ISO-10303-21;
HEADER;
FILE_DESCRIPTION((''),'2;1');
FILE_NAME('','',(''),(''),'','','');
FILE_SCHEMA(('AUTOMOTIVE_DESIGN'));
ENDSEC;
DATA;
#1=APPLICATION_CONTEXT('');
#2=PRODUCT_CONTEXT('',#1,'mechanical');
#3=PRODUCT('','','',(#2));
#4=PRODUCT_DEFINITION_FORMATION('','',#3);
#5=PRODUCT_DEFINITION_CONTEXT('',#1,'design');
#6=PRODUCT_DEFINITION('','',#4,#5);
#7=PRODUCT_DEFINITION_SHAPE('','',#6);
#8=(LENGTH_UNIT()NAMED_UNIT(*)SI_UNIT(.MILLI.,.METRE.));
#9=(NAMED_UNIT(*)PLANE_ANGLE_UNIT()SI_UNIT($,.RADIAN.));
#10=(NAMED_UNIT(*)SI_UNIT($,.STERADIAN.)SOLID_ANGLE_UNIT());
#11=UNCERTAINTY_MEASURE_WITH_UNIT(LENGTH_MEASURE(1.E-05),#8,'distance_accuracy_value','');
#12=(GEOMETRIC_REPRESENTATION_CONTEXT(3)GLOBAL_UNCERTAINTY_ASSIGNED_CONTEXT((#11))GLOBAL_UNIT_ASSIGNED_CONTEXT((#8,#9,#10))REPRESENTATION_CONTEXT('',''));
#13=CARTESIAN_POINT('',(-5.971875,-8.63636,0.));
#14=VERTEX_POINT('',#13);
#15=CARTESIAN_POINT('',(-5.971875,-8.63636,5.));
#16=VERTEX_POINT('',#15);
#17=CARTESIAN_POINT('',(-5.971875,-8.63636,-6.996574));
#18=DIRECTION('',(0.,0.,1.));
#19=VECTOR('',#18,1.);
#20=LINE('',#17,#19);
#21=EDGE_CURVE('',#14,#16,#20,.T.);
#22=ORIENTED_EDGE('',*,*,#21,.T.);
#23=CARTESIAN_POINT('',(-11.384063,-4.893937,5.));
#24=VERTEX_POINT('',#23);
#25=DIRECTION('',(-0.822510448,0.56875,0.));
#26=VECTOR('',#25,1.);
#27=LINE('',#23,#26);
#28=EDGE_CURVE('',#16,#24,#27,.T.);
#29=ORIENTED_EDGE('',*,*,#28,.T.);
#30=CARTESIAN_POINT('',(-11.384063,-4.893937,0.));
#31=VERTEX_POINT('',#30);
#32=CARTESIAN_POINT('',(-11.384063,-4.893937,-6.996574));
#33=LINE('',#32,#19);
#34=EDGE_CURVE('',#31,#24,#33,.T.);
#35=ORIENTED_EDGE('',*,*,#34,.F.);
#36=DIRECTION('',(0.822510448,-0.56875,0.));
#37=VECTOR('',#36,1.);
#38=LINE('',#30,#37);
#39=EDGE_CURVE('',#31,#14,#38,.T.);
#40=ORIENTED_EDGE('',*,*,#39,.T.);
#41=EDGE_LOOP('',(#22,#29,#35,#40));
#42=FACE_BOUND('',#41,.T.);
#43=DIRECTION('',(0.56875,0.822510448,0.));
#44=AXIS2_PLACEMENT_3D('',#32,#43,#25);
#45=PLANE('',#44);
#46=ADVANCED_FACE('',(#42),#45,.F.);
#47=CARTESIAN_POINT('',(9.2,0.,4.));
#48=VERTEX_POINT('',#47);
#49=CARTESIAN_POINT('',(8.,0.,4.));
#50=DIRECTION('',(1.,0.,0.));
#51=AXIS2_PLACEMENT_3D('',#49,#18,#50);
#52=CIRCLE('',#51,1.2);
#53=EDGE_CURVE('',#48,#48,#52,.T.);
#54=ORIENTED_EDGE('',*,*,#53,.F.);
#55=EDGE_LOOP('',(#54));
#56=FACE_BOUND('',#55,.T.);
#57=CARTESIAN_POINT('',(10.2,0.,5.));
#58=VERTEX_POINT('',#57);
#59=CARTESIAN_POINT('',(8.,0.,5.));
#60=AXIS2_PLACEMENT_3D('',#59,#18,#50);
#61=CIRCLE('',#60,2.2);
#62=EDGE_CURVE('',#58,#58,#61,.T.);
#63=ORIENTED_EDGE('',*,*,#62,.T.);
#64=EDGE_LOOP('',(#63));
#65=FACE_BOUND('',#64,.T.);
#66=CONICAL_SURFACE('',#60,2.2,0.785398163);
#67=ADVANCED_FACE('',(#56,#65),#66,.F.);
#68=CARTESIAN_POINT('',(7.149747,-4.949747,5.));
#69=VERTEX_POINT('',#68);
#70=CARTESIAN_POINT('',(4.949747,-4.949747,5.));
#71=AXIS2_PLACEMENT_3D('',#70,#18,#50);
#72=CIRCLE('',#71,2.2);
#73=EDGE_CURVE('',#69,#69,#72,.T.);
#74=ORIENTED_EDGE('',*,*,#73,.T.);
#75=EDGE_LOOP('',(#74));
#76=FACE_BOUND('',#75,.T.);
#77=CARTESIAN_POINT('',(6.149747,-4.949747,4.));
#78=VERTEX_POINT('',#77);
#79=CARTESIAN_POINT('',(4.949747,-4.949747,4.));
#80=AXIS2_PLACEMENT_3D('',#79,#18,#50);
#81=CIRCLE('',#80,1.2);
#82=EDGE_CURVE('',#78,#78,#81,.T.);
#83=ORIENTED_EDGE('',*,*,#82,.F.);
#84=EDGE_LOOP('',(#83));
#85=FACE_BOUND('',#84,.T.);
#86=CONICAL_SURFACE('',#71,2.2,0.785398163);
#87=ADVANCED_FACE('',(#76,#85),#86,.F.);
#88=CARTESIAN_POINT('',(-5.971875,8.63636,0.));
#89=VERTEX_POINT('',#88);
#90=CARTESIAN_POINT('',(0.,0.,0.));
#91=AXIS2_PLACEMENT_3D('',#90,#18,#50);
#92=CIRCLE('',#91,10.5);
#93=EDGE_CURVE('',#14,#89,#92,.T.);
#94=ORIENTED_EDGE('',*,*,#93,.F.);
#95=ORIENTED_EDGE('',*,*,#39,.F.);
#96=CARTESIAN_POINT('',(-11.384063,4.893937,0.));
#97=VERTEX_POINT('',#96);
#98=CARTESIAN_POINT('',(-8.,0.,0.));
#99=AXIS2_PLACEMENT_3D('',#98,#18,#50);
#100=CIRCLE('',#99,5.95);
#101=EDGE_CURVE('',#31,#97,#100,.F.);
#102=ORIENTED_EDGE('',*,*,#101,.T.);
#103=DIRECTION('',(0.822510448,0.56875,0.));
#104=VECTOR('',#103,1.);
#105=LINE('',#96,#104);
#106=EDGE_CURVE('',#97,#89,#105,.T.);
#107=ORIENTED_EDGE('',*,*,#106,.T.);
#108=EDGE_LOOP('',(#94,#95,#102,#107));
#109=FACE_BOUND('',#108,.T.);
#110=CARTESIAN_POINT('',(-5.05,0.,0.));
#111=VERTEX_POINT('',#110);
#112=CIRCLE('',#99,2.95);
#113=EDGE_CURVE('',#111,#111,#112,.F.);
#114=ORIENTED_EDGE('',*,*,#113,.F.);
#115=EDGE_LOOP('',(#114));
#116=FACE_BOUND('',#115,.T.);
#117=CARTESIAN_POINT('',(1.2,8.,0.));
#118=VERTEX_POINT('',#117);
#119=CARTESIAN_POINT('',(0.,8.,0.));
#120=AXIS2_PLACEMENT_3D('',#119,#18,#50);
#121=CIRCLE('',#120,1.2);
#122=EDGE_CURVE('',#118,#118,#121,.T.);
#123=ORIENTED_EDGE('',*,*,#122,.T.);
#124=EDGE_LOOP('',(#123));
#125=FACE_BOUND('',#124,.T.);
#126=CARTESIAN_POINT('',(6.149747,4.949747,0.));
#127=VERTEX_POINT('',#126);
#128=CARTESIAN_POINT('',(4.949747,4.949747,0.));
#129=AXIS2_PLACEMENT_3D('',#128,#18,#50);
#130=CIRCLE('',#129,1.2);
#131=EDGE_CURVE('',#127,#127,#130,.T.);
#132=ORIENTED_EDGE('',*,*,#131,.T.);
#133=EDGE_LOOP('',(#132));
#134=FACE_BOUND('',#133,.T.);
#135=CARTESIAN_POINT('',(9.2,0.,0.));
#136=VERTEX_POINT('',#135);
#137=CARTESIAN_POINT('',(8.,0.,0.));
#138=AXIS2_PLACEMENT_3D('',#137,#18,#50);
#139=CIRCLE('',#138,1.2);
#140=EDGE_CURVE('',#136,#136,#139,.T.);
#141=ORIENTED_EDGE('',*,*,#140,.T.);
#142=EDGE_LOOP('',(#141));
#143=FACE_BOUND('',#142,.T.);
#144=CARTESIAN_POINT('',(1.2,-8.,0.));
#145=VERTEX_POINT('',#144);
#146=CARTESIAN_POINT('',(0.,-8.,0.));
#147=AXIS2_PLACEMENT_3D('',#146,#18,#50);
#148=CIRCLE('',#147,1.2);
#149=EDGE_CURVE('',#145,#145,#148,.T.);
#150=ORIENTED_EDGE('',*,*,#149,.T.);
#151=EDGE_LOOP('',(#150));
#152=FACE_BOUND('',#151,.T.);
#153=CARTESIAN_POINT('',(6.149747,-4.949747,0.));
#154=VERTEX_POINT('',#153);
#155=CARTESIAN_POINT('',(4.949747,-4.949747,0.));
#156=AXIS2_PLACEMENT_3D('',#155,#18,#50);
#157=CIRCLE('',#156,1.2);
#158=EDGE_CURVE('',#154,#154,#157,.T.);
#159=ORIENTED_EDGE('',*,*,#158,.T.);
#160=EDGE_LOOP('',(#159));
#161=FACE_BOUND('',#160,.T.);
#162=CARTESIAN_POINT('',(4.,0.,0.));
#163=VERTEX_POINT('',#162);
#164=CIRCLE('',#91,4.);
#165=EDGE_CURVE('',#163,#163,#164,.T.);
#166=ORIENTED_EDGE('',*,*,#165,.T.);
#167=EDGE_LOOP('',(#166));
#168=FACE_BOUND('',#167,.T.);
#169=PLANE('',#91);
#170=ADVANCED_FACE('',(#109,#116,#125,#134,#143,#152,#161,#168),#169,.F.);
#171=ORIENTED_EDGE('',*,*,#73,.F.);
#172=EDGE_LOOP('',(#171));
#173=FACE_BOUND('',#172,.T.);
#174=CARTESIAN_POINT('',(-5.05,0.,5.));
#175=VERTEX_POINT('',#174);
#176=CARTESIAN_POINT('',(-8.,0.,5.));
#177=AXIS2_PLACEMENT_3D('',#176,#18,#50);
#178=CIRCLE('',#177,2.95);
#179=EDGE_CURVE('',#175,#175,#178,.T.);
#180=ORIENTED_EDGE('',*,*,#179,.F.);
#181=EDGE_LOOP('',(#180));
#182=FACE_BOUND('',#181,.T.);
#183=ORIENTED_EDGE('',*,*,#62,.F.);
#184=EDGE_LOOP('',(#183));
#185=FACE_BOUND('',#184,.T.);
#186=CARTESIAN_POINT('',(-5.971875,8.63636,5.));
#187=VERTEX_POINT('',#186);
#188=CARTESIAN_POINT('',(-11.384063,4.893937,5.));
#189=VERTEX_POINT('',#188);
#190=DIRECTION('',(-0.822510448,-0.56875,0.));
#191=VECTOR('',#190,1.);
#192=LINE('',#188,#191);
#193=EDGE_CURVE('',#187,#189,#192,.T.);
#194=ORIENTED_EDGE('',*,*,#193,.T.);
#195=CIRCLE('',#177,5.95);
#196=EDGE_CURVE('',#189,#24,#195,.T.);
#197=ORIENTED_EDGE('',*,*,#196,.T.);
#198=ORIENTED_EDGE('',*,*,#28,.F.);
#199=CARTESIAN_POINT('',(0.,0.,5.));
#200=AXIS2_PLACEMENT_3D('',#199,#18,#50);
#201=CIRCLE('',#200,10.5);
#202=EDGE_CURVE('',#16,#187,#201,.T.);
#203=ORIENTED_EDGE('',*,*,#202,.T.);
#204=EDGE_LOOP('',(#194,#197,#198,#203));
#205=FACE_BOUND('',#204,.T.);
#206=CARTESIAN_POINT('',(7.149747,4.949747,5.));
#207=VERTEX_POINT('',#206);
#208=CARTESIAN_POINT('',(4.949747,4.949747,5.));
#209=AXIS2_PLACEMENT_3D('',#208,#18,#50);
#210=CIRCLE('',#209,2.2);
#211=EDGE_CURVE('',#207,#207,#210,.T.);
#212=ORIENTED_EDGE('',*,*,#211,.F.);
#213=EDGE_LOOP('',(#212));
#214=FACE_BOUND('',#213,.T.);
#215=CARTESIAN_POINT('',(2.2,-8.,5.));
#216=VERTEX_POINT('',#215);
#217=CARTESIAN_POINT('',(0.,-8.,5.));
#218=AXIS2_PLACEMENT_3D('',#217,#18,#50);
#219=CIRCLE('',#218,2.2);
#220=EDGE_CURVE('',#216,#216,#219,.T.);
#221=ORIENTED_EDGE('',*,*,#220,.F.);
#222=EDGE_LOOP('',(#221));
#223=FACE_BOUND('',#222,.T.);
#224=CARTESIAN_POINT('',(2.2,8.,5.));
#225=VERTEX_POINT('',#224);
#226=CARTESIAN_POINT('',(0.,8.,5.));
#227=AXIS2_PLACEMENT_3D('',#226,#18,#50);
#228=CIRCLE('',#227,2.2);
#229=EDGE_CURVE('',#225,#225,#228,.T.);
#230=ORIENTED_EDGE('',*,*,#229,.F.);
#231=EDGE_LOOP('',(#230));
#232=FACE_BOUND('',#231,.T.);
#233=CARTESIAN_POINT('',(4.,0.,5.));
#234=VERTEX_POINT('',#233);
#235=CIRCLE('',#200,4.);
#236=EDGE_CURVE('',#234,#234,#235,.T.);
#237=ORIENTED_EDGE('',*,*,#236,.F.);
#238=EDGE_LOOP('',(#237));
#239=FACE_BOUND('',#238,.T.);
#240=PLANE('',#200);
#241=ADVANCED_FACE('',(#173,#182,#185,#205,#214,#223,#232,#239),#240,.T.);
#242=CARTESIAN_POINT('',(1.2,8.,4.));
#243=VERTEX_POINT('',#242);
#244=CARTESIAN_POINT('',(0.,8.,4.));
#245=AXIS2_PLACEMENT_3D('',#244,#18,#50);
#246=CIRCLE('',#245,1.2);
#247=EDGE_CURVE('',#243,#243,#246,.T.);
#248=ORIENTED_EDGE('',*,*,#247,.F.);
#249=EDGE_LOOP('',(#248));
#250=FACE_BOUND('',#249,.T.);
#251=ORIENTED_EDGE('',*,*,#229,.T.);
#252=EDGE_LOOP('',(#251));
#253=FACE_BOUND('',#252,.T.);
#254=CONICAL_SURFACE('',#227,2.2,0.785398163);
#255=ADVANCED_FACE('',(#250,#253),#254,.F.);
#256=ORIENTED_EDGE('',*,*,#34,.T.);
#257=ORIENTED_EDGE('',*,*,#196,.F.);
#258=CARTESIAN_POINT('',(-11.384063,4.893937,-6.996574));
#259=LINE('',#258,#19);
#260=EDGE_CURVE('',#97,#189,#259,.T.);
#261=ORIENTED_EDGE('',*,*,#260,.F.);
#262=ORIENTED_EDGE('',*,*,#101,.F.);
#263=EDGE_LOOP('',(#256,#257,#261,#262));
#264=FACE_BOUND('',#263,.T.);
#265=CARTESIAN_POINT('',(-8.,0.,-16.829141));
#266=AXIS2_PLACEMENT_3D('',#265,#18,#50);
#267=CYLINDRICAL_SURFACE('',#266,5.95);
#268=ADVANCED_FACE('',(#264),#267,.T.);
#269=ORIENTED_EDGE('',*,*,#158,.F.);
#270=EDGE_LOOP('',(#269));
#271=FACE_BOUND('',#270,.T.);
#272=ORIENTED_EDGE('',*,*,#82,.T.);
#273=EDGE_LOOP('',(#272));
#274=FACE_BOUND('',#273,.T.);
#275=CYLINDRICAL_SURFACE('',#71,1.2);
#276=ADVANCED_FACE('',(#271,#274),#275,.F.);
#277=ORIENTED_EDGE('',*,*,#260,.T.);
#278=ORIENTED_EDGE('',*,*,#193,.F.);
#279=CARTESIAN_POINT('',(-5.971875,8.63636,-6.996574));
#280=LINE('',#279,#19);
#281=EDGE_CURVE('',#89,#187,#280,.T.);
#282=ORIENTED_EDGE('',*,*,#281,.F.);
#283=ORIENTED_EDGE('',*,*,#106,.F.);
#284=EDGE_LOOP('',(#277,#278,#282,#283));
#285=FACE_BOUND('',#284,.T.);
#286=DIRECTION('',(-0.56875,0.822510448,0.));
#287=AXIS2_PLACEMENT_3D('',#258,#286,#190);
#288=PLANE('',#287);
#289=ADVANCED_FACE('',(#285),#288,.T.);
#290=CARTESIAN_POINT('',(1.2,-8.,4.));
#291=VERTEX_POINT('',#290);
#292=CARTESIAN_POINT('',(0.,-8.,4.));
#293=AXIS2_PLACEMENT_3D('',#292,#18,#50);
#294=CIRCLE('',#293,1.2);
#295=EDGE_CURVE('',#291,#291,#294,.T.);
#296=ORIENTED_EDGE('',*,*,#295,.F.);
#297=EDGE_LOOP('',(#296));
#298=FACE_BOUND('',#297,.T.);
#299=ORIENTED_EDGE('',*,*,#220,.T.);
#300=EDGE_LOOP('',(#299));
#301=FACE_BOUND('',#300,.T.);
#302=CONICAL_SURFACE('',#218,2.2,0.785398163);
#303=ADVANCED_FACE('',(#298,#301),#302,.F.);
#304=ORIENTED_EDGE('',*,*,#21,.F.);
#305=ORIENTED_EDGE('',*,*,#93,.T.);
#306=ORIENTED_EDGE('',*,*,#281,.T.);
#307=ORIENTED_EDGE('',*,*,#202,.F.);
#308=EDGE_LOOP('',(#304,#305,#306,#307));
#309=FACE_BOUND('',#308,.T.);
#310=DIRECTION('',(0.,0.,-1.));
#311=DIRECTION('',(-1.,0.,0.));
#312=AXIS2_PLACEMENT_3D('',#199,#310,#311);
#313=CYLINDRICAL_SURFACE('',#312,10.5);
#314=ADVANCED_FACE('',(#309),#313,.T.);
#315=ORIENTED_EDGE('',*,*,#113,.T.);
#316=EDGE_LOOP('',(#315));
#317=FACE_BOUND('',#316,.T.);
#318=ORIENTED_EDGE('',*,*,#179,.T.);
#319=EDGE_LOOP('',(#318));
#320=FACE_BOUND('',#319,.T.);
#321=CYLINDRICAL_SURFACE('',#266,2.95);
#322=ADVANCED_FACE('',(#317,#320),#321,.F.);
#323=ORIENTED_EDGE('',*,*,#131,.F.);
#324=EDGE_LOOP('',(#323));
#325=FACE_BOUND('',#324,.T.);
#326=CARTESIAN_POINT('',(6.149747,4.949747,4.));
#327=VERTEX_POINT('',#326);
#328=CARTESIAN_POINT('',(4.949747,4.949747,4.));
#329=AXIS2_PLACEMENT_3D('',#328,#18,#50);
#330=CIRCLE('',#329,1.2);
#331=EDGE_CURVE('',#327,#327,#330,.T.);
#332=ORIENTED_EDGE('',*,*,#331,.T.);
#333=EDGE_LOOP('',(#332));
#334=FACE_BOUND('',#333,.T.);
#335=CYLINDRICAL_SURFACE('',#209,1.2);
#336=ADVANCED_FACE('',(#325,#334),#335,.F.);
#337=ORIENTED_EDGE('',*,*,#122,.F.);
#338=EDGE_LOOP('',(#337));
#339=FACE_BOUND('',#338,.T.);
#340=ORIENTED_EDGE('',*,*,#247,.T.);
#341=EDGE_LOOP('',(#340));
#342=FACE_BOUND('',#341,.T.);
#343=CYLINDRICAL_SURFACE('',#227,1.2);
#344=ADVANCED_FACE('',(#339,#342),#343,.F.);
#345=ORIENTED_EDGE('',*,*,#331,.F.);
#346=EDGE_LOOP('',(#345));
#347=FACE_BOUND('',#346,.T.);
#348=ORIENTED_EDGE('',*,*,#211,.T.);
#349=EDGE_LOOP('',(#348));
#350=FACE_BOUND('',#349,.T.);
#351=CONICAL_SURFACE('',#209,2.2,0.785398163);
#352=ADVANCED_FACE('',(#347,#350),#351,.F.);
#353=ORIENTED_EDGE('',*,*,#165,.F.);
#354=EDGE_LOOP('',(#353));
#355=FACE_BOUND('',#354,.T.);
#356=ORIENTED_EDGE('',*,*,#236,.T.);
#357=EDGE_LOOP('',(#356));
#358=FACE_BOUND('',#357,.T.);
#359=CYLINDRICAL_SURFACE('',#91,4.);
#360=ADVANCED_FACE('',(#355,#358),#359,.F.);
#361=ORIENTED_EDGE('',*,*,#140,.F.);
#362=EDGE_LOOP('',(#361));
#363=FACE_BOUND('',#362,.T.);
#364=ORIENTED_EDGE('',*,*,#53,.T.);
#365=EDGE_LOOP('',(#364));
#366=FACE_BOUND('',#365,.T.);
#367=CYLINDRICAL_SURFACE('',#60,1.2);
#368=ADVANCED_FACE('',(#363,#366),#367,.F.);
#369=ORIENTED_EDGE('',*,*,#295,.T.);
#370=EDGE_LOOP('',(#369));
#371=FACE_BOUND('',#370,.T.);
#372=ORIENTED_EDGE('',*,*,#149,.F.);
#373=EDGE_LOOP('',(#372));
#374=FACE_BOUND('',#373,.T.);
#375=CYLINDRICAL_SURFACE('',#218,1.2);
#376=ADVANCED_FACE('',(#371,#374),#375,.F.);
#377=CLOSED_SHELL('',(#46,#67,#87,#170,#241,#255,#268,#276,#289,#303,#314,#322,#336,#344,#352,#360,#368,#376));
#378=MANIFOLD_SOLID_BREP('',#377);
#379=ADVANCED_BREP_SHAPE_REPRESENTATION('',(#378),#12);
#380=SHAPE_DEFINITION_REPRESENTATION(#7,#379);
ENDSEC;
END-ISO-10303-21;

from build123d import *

# Parameters (mm, degrees)
SKETCH1_R                                           = 10.5
SKETCH1_R_2                                         = 0.8
BOSS_EXTRUDE1_DEPTH                                 = 5
SKETCH2_R                                           = 5.95
SKETCH2_R_2                                         = 2.95
BOSS_EXTRUDE2_DEPTH                                 = 5
CSK_FOR_M2_COUNTERSUNK_FLAT_HEAD_SCREW1_D           = 2.4
CSK_FOR_M2_COUNTERSUNK_FLAT_HEAD_SCREW1_CSINK_D     = 4.4
CSK_FOR_M2_COUNTERSUNK_FLAT_HEAD_SCREW1_CSINK_ANGLE = 90
SKETCH5_R                                           = 2.95
CUT_EXTRUDE1_DEPTH                                  = 5
SKETCH6_R                                           = 4
CUT_EXTRUDE2_DEPTH                                  = 5
BOSS_EXTRUDE3_DEPTH                                 = 5
SKETCH8_R                                           = 0.8
BOSS_EXTRUDE4_DEPTH                                 = 5


with BuildPart() as part:
    # Sketch1 → Boss-Extrude1 (new body)
    with BuildSketch(Plane.XY):
        Circle(SKETCH1_R)
        with Locations((-4.949747468, 4.949747468)):
            Circle(SKETCH1_R_2, mode=Mode.SUBTRACT)
        with Locations((0, 8)):
            Circle(SKETCH1_R_2, mode=Mode.SUBTRACT)
        with Locations((4.949747468, 4.949747468)):
            Circle(SKETCH1_R_2, mode=Mode.SUBTRACT)
        with Locations((8, 0)):
            Circle(SKETCH1_R_2, mode=Mode.SUBTRACT)
        with Locations((4.949747468, -4.949747468)):
            Circle(SKETCH1_R_2, mode=Mode.SUBTRACT)
        with Locations((0, -8)):
            Circle(SKETCH1_R_2, mode=Mode.SUBTRACT)
        with Locations((-4.949747468, -4.949747468)):
            Circle(SKETCH1_R_2, mode=Mode.SUBTRACT)
        with Locations((-8, 0)):
            Circle(SKETCH1_R_2, mode=Mode.SUBTRACT)
    extrude(amount=BOSS_EXTRUDE1_DEPTH)

    # Sketch2 → Boss-Extrude2 (add)
    with BuildSketch(Plane.XY.offset(5)):
        with Locations((-8, 0)):
            Circle(SKETCH2_R)
        with Locations((-8, 0)):
            Circle(SKETCH2_R_2, mode=Mode.SUBTRACT)
    extrude(amount=-BOSS_EXTRUDE2_DEPTH)

    # CSK for M2 Countersunk Flat Head Screw1 (through all)
    with Locations(Plane.XY.offset(5)):
        with Locations((4.949747468, 4.949747468), (0, 8), (0, -8), (8, 0), (4.949747468, -4.949747468)):
            CounterSinkHole(CSK_FOR_M2_COUNTERSUNK_FLAT_HEAD_SCREW1_D / 2, CSK_FOR_M2_COUNTERSUNK_FLAT_HEAD_SCREW1_CSINK_D / 2, counter_sink_angle=CSK_FOR_M2_COUNTERSUNK_FLAT_HEAD_SCREW1_CSINK_ANGLE)

    # Sketch5 → Cut-Extrude1 (cut)
    with BuildSketch(Plane.XY.offset(5)):
        with Locations((-8, 0)):
            Circle(SKETCH5_R)
    extrude(amount=-CUT_EXTRUDE1_DEPTH, mode=Mode.SUBTRACT)

    # Sketch6 → Cut-Extrude2 (cut)
    with BuildSketch(Plane.XY.offset(5)):
        Circle(SKETCH6_R)
    extrude(amount=-CUT_EXTRUDE2_DEPTH, mode=Mode.SUBTRACT)

    # Sketch7 → Boss-Extrude3 (add)
    with BuildSketch(Plane.XY.offset(5)):
        Polygon((-11.3840625, 4.893937167), (-5.971875, 8.636359707), (-6.233143588, 4.202369658), align=None)
    boss_extrude3 = extrude(amount=-BOSS_EXTRUDE3_DEPTH)

    # Mirror1: Boss-Extrude3 across plane
    add(boss_extrude3.mirror(Plane.ZX))

    # Sketch8 → Boss-Extrude4 (add)
    with BuildSketch(Plane.XY.offset(5)):
        with Locations((-4.949747468, 4.949747468)):
            Circle(SKETCH8_R)
        with Locations((-4.949747468, -4.949747468)):
            Circle(SKETCH8_R)
    extrude(amount=-BOSS_EXTRUDE4_DEPTH)


solid = part.part
